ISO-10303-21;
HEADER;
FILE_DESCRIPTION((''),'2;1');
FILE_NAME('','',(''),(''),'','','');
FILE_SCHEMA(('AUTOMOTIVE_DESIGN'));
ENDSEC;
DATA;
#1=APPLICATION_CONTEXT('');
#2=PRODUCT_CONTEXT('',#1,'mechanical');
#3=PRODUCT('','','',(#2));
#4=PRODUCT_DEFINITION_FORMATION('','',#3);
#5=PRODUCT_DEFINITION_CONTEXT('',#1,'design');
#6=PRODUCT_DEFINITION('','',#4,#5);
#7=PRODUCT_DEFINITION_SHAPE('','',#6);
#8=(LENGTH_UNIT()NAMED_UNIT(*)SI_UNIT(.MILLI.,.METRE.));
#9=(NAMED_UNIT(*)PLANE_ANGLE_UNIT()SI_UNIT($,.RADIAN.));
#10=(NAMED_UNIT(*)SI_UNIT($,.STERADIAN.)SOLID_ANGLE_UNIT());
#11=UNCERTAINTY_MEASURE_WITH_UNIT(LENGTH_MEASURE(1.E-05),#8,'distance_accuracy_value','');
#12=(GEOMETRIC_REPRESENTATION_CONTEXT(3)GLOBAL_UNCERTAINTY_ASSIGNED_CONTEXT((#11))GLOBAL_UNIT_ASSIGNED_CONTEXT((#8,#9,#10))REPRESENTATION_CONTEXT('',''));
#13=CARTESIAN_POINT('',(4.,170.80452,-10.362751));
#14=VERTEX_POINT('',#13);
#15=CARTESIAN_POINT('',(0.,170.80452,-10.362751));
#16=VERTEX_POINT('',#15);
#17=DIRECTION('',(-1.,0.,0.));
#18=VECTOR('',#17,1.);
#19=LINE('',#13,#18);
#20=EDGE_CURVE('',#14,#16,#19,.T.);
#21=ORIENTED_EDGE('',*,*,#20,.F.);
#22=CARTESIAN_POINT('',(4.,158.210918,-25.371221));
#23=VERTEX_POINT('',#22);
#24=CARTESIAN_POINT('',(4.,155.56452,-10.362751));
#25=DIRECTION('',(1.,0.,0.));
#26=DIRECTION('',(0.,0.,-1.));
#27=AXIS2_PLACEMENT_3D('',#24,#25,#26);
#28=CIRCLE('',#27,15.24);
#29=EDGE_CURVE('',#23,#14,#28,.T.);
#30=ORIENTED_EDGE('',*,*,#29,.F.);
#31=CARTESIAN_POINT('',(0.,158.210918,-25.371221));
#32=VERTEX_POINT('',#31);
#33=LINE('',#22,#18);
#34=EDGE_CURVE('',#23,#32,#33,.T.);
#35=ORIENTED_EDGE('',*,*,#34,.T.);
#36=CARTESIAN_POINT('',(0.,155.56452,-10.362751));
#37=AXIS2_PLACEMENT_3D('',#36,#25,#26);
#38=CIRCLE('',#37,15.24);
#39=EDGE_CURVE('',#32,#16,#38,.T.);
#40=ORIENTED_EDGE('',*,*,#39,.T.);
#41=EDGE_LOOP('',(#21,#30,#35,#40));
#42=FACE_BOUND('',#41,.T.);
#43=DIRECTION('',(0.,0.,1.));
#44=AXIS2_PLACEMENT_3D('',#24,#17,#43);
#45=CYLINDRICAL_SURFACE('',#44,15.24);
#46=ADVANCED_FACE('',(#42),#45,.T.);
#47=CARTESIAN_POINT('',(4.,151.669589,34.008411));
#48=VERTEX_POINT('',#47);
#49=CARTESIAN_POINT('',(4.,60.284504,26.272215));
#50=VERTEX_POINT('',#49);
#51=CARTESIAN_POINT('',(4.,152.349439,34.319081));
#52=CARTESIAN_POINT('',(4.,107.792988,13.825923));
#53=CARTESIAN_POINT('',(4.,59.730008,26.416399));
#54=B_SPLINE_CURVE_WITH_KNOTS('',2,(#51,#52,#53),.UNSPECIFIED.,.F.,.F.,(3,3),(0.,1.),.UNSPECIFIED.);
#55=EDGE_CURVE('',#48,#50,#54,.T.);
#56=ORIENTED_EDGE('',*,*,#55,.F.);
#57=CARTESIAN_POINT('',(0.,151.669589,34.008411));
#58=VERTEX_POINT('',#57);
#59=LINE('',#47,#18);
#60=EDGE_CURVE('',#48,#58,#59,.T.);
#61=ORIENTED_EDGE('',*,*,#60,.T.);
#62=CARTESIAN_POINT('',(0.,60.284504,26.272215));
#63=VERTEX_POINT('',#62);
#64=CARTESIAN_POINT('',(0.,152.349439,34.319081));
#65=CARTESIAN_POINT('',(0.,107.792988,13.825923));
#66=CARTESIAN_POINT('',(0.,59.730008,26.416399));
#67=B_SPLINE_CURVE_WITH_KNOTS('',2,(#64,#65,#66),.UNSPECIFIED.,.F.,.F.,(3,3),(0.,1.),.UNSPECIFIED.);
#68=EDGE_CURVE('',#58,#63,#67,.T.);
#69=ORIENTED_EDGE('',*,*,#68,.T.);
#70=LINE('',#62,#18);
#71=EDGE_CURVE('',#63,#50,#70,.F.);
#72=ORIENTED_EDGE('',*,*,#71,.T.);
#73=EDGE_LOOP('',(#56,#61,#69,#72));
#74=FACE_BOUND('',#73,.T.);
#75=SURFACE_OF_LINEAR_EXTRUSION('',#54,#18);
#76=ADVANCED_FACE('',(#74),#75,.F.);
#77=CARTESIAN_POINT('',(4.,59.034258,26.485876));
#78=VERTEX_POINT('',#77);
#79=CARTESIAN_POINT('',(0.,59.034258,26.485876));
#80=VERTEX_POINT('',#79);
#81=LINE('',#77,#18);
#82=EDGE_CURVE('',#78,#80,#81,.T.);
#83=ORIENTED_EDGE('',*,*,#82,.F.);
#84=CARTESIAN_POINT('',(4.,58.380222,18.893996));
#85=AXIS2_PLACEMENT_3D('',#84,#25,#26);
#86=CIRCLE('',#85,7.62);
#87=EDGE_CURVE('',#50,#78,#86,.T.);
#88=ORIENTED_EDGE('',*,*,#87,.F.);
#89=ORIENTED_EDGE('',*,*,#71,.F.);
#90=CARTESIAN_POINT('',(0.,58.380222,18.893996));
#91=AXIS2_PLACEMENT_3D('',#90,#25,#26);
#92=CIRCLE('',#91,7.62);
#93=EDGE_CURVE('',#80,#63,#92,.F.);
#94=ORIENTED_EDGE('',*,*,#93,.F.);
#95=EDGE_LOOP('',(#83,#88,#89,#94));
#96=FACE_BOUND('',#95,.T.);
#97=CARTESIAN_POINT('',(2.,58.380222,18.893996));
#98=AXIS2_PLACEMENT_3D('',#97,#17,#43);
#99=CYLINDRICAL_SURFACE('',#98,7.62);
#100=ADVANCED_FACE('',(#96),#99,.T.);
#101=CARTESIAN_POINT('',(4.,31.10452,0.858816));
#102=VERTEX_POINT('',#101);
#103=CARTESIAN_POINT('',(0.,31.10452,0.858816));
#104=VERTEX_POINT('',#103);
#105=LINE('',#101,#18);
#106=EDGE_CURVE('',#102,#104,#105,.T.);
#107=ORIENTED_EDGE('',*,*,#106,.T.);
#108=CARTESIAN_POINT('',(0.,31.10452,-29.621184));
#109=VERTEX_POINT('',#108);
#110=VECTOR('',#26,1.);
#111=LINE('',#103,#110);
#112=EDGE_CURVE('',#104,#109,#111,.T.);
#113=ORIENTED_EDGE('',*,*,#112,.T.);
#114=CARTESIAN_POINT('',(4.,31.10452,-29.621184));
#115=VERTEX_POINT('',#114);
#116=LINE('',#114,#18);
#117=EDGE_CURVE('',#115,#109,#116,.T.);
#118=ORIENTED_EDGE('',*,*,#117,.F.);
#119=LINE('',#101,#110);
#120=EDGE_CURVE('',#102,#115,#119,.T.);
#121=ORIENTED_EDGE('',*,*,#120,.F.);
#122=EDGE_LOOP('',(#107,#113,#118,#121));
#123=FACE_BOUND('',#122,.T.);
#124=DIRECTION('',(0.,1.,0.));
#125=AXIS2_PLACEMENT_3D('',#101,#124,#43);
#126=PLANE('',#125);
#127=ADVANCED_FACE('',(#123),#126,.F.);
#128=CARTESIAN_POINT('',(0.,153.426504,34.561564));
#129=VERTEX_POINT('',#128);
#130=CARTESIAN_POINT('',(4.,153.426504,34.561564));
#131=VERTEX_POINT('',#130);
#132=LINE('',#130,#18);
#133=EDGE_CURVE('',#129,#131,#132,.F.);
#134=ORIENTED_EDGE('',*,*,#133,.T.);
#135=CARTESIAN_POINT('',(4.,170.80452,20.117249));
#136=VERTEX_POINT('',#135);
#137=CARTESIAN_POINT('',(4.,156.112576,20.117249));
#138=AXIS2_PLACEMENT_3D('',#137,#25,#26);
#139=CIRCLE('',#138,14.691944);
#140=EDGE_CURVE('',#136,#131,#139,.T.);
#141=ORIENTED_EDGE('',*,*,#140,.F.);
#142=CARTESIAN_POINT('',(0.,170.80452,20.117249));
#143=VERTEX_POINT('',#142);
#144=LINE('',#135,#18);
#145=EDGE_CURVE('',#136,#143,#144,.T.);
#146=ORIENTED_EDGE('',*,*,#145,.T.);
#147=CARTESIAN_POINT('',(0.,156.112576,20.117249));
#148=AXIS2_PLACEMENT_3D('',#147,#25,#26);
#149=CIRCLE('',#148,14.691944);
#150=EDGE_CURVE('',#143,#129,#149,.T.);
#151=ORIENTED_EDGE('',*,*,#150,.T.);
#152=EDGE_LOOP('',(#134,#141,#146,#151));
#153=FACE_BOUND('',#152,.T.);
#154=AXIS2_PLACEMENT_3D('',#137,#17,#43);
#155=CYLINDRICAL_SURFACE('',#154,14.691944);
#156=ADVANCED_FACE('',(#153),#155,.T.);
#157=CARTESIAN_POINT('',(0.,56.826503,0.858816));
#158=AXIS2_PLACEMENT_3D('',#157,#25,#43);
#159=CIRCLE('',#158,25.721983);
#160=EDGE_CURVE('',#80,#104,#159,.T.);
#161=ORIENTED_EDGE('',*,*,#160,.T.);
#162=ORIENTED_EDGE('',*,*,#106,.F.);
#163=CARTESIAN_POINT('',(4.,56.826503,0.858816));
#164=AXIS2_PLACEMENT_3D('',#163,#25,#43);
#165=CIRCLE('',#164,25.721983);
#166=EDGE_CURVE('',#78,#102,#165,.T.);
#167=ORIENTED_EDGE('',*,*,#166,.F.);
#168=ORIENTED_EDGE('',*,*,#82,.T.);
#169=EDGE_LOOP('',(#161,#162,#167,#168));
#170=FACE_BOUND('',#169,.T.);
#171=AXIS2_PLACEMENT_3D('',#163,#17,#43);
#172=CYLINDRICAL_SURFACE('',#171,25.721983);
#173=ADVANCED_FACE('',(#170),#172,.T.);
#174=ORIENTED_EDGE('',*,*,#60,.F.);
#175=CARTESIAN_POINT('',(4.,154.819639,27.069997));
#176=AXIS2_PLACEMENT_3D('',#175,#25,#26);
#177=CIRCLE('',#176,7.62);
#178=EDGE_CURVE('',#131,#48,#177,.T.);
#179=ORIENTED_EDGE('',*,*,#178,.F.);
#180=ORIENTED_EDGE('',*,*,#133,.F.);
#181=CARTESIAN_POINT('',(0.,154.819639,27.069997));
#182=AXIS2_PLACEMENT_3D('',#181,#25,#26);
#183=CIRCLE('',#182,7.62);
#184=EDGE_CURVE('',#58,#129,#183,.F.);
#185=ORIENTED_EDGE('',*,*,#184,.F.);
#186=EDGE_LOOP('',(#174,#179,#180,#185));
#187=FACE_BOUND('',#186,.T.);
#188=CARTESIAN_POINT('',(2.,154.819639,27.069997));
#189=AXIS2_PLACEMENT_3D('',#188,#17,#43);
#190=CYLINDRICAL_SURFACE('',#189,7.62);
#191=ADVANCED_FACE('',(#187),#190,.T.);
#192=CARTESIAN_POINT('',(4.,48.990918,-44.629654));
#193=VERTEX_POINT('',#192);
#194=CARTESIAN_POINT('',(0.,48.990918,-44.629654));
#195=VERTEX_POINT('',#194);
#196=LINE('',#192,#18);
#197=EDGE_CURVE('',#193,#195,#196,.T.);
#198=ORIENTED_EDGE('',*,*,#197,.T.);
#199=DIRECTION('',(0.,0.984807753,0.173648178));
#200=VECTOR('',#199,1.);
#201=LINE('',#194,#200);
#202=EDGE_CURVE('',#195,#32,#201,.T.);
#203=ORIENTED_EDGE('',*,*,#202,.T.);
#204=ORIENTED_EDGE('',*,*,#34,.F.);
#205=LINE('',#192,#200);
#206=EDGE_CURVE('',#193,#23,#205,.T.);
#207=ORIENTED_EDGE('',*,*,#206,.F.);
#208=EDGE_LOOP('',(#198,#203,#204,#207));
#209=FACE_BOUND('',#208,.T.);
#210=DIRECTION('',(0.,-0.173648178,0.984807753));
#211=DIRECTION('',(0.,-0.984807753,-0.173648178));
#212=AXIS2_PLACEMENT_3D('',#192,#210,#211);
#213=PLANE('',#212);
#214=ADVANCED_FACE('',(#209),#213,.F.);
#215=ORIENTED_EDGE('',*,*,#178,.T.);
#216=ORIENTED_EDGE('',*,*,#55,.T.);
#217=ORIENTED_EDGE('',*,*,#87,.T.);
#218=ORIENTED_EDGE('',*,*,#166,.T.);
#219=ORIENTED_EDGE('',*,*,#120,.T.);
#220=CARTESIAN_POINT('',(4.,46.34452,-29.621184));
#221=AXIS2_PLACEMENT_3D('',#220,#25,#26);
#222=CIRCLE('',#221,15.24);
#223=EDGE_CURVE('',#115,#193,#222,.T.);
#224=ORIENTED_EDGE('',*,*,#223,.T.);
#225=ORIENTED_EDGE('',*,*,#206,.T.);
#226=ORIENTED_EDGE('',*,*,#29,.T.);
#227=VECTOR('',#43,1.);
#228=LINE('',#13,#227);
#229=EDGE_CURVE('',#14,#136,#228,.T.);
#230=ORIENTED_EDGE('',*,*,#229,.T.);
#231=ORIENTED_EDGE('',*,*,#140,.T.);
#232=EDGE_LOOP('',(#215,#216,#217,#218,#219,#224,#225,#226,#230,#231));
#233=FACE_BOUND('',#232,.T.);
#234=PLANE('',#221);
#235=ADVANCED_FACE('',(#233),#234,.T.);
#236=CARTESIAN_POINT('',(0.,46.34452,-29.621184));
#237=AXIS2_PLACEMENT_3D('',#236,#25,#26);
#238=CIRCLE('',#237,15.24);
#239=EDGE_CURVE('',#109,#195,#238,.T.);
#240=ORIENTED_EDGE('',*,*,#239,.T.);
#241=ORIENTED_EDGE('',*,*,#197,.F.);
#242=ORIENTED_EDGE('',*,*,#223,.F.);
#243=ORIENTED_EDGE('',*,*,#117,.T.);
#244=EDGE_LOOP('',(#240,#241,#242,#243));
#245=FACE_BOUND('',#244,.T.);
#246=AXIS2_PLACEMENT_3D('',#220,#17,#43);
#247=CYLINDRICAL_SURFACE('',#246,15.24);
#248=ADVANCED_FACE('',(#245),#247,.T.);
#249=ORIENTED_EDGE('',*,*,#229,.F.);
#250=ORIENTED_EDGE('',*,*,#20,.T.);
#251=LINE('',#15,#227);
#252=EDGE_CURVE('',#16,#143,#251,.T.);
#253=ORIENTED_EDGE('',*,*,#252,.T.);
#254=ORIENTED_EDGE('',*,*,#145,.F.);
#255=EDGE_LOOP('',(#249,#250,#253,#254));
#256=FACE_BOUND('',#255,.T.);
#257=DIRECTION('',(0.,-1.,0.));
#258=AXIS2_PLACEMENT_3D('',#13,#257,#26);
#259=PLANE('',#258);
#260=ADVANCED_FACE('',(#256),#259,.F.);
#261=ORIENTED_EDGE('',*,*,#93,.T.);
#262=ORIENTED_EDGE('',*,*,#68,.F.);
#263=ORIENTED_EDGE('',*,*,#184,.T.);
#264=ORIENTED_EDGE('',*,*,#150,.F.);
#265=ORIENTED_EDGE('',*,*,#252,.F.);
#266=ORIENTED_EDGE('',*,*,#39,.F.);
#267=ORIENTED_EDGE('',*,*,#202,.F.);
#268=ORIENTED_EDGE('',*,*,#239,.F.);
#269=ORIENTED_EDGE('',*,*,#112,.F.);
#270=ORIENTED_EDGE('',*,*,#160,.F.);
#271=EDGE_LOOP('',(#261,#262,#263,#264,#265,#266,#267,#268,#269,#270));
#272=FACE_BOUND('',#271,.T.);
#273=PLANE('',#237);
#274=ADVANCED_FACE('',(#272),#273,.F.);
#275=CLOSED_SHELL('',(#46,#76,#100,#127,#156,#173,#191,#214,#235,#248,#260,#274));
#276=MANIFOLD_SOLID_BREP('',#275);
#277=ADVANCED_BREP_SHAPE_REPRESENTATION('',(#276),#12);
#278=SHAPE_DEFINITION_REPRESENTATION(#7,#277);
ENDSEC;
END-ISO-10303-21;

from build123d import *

# Parameters (mm, degrees)
BOSS_EXTRUDE1_DEPTH = 4
FILLET1_R           = 7.62
FILLET2_R           = 7.62


with BuildPart() as part:
    # Sketch1 → Boss-Extrude1 (new body)
    with BuildSketch(Plane(origin=(0, 0, 0), x_dir=(0, 0, -1), z_dir=(1, 0, 0))):
        with BuildLine():
            Line((-0.858815867, 31.104520152), (29.621184133, 31.104520152))
            ThreePointArc((29.621184133, 31.104520152), (41.295701446, 36.548436981), (44.629654289, 48.99091838))
            Line((44.629654289, 48.99091838), (25.371221456, 158.21091838))
            ThreePointArc((25.371221456, 158.21091838), (20.158834472, 167.239037466), (10.3627513, 170.804520152))
            Line((10.3627513, 170.804520152), (-20.1172487, 170.804520152))
            ThreePointArc((-20.1172487, 170.804520152), (-31.760723964, 165.072637938), (-34.31908063, 152.349438611))
            add(Edge.make_bspline(
                [(-34.31908063, 152.349438611), (-13.825923221, 107.792988448), (-26.416398798, 59.730007543)],
                knots=[0, 0, 0, 1, 1, 1], degree=2))
            ThreePointArc((-26.416398798, 59.730007543), (-20.046107062, 39.695587879), (-0.858815867, 31.104520152))
        make_face()
    extrude(amount=BOSS_EXTRUDE1_DEPTH)

    # Fillet1
    fillet1_edges = [part.edges().sort_by_distance(p)[0] for p in [
        (2, 152.349438611, 34.31908063),
    ]]
    fillet(fillet1_edges, radius=FILLET1_R)

    # Fillet2
    fillet2_edges = [part.edges().sort_by_distance(p)[0] for p in [
        (2, 59.730007543, 26.416398798),
    ]]
    fillet(fillet2_edges, radius=FILLET2_R)


solid = part.part
